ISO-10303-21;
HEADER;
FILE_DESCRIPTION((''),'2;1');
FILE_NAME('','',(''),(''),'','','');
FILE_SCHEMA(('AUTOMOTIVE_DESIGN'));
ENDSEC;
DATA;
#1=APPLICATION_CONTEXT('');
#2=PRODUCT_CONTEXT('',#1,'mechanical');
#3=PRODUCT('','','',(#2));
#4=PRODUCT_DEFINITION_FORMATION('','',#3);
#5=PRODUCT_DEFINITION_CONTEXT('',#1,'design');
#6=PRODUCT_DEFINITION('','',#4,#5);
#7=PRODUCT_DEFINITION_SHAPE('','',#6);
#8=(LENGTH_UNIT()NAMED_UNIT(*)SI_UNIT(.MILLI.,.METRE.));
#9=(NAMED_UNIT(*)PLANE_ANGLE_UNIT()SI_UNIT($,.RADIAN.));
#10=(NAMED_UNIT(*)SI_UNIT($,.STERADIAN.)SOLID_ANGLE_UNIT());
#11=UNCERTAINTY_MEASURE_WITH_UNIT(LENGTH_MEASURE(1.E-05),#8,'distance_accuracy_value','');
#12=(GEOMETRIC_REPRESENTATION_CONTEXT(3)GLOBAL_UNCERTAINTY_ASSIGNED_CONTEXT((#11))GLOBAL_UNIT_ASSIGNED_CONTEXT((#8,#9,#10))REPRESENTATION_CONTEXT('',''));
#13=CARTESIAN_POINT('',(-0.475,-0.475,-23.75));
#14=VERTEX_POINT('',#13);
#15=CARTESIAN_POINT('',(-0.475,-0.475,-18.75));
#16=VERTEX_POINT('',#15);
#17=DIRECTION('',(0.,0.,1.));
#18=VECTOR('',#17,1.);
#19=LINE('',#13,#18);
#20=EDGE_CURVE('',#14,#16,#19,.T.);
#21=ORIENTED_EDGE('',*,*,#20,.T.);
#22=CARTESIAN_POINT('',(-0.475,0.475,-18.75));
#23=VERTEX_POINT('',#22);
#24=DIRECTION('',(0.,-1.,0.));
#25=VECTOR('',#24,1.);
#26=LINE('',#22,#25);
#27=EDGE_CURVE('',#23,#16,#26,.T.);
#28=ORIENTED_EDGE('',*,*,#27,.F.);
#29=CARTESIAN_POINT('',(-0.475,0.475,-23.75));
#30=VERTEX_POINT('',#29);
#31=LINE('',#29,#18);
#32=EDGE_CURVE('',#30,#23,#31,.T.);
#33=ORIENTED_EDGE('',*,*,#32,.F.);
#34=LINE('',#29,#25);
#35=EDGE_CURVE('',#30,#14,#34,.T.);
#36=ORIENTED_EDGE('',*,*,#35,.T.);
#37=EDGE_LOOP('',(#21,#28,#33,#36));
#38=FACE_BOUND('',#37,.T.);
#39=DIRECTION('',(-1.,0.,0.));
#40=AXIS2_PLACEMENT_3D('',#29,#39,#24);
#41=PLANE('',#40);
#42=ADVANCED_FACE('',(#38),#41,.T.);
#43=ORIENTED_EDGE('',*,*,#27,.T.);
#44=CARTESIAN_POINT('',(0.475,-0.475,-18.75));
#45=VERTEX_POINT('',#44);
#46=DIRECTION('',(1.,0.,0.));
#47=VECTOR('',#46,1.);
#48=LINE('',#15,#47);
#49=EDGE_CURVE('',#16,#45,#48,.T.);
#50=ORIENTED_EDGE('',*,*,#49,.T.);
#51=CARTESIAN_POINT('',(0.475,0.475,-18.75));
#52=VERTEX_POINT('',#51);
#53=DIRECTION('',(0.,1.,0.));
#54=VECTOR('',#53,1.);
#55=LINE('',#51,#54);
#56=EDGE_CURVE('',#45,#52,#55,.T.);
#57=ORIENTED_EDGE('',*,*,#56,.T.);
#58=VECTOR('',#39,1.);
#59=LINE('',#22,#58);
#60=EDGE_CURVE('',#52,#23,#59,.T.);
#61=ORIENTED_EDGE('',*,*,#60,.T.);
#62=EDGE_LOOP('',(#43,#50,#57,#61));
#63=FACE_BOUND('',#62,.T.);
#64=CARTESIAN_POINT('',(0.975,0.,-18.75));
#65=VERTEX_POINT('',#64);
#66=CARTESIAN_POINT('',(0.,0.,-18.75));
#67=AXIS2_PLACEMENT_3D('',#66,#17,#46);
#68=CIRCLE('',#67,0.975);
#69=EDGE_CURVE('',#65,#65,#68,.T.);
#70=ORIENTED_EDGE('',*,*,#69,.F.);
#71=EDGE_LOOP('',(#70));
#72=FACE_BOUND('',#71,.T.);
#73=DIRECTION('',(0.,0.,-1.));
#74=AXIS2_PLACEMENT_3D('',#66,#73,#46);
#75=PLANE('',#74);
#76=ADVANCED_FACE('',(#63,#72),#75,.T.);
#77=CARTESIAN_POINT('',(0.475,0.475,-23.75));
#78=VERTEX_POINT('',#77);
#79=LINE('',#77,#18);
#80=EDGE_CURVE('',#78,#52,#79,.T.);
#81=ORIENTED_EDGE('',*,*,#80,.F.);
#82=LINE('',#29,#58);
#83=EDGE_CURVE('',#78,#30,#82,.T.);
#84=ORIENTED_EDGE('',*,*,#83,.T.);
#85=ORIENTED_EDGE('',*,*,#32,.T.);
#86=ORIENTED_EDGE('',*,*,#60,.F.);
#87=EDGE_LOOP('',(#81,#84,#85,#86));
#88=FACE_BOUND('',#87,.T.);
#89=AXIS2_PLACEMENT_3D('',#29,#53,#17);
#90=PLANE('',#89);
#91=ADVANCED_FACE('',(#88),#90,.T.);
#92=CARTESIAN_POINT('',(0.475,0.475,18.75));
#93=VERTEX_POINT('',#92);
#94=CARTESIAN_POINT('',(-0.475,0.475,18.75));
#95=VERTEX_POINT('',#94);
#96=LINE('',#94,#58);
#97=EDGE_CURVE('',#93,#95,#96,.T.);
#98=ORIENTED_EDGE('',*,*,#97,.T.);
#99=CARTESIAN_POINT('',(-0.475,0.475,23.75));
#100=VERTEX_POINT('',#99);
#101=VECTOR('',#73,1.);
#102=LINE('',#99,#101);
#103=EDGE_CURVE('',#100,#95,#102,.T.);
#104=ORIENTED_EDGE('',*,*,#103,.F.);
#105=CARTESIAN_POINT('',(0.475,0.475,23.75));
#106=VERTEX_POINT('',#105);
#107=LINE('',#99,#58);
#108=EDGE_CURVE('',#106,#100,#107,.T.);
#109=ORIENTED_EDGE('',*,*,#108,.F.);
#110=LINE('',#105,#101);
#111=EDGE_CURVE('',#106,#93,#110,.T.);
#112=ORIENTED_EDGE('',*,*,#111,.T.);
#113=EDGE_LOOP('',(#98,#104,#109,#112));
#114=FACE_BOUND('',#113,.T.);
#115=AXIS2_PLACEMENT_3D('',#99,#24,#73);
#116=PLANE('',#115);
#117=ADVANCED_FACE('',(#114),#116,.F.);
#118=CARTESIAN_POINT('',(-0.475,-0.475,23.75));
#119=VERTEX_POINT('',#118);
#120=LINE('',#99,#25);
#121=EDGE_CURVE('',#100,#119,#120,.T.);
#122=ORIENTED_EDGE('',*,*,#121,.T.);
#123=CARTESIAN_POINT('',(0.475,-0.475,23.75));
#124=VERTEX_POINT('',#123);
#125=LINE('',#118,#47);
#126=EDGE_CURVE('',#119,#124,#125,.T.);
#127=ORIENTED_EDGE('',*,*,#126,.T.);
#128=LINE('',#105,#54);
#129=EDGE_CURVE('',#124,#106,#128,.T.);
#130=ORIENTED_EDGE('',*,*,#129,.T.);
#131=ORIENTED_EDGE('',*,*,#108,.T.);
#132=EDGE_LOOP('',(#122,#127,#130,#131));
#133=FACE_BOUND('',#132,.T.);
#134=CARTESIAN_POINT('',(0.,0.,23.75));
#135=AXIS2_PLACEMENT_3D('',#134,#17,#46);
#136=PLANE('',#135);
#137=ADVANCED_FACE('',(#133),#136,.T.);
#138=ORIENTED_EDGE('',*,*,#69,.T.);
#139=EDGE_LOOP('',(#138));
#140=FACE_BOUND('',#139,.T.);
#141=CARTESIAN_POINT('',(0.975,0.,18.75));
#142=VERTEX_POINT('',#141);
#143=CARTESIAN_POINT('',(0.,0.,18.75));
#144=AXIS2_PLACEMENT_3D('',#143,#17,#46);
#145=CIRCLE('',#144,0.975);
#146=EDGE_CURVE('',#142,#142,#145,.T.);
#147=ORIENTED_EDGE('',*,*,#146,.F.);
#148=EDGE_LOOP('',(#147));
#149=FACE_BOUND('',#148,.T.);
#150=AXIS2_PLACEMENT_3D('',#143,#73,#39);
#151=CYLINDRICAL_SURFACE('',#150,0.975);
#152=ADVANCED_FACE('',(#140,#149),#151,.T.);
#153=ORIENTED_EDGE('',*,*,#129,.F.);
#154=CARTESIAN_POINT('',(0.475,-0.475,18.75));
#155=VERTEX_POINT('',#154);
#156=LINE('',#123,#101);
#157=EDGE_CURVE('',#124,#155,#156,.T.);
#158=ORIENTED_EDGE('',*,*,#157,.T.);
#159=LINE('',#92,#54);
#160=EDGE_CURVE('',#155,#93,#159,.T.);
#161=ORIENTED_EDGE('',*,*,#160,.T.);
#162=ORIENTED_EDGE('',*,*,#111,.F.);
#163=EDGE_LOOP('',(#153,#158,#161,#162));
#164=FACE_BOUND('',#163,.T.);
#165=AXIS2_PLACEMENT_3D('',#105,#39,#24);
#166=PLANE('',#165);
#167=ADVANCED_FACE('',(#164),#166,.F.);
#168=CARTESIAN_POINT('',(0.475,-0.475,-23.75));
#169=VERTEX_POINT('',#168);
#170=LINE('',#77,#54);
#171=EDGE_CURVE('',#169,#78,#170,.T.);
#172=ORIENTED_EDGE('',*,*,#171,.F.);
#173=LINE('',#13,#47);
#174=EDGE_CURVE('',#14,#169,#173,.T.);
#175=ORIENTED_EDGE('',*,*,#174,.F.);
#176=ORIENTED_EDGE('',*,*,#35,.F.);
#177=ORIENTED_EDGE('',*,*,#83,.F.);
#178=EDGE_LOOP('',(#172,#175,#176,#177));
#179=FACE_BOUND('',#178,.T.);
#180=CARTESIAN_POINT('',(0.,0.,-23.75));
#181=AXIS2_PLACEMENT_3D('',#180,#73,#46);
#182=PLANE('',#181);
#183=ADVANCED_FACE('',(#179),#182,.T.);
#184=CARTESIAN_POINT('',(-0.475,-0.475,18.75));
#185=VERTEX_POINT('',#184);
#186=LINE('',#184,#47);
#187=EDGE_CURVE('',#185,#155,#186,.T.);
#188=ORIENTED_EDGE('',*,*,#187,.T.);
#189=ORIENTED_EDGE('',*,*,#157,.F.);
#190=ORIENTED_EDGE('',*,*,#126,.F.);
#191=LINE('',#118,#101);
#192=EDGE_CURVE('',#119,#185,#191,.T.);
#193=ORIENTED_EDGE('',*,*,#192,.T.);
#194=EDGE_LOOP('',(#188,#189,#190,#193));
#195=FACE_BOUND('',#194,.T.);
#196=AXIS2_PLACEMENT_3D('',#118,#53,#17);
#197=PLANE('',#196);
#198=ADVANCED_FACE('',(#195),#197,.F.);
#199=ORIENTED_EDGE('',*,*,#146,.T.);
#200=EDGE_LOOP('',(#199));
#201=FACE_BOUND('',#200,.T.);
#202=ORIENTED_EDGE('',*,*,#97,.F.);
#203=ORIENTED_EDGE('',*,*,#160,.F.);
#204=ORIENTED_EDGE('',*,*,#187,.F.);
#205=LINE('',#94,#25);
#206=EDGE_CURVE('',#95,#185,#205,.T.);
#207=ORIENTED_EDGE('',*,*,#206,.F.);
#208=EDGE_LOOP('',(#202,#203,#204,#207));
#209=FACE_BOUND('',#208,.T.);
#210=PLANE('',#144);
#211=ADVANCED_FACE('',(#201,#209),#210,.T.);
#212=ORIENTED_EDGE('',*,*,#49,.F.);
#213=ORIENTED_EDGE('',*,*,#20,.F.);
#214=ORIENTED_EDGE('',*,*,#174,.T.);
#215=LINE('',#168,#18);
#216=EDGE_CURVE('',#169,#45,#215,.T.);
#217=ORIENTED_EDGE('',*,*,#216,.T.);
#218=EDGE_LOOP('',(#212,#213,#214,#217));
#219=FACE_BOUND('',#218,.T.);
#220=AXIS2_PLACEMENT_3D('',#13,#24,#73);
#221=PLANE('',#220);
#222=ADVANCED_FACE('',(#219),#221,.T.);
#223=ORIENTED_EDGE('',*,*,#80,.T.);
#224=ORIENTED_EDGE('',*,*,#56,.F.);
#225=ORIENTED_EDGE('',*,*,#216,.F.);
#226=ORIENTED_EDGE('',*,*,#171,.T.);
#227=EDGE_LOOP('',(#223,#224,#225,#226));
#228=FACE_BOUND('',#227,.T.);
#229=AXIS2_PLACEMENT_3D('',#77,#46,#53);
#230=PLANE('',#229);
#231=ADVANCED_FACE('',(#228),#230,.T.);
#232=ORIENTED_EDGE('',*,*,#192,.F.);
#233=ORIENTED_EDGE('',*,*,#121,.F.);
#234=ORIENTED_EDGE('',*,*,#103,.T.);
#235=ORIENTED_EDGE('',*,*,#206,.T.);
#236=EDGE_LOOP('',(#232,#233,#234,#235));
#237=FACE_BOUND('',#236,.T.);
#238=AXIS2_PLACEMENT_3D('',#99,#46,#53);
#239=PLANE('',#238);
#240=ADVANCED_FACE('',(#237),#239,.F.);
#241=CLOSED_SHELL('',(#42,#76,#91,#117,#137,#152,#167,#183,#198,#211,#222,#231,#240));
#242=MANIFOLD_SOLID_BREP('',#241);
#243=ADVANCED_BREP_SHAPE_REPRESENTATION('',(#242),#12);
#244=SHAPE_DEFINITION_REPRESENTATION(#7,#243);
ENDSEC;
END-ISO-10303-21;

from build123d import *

# Parameters (mm, degrees)
SKETCH1_R           = 0.975
BOSS_EXTRUDE2_DEPTH = 18.75
SKETCH2_W           = 0.95
SKETCH2_H           = 0.95
BOSS_EXTRUDE3_DEPTH = 5


with BuildPart() as part:
    # Sketch1 → Boss-Extrude2 (new body)
    with BuildSketch(Plane.XY):
        Circle(SKETCH1_R)
    boss_extrude2 = extrude(amount=BOSS_EXTRUDE2_DEPTH)

    # Sketch2 → Boss-Extrude3 (add)
    with BuildSketch(Plane.XY.offset(18.75)):
        Rectangle(SKETCH2_W, SKETCH2_H)
    boss_extrude3 = extrude(amount=BOSS_EXTRUDE3_DEPTH)

    # Mirror1: Boss-Extrude2, Boss-Extrude3 across plane
    add(boss_extrude2.mirror(Plane.XY))
    add(boss_extrude3.mirror(Plane.XY))


solid = part.part
